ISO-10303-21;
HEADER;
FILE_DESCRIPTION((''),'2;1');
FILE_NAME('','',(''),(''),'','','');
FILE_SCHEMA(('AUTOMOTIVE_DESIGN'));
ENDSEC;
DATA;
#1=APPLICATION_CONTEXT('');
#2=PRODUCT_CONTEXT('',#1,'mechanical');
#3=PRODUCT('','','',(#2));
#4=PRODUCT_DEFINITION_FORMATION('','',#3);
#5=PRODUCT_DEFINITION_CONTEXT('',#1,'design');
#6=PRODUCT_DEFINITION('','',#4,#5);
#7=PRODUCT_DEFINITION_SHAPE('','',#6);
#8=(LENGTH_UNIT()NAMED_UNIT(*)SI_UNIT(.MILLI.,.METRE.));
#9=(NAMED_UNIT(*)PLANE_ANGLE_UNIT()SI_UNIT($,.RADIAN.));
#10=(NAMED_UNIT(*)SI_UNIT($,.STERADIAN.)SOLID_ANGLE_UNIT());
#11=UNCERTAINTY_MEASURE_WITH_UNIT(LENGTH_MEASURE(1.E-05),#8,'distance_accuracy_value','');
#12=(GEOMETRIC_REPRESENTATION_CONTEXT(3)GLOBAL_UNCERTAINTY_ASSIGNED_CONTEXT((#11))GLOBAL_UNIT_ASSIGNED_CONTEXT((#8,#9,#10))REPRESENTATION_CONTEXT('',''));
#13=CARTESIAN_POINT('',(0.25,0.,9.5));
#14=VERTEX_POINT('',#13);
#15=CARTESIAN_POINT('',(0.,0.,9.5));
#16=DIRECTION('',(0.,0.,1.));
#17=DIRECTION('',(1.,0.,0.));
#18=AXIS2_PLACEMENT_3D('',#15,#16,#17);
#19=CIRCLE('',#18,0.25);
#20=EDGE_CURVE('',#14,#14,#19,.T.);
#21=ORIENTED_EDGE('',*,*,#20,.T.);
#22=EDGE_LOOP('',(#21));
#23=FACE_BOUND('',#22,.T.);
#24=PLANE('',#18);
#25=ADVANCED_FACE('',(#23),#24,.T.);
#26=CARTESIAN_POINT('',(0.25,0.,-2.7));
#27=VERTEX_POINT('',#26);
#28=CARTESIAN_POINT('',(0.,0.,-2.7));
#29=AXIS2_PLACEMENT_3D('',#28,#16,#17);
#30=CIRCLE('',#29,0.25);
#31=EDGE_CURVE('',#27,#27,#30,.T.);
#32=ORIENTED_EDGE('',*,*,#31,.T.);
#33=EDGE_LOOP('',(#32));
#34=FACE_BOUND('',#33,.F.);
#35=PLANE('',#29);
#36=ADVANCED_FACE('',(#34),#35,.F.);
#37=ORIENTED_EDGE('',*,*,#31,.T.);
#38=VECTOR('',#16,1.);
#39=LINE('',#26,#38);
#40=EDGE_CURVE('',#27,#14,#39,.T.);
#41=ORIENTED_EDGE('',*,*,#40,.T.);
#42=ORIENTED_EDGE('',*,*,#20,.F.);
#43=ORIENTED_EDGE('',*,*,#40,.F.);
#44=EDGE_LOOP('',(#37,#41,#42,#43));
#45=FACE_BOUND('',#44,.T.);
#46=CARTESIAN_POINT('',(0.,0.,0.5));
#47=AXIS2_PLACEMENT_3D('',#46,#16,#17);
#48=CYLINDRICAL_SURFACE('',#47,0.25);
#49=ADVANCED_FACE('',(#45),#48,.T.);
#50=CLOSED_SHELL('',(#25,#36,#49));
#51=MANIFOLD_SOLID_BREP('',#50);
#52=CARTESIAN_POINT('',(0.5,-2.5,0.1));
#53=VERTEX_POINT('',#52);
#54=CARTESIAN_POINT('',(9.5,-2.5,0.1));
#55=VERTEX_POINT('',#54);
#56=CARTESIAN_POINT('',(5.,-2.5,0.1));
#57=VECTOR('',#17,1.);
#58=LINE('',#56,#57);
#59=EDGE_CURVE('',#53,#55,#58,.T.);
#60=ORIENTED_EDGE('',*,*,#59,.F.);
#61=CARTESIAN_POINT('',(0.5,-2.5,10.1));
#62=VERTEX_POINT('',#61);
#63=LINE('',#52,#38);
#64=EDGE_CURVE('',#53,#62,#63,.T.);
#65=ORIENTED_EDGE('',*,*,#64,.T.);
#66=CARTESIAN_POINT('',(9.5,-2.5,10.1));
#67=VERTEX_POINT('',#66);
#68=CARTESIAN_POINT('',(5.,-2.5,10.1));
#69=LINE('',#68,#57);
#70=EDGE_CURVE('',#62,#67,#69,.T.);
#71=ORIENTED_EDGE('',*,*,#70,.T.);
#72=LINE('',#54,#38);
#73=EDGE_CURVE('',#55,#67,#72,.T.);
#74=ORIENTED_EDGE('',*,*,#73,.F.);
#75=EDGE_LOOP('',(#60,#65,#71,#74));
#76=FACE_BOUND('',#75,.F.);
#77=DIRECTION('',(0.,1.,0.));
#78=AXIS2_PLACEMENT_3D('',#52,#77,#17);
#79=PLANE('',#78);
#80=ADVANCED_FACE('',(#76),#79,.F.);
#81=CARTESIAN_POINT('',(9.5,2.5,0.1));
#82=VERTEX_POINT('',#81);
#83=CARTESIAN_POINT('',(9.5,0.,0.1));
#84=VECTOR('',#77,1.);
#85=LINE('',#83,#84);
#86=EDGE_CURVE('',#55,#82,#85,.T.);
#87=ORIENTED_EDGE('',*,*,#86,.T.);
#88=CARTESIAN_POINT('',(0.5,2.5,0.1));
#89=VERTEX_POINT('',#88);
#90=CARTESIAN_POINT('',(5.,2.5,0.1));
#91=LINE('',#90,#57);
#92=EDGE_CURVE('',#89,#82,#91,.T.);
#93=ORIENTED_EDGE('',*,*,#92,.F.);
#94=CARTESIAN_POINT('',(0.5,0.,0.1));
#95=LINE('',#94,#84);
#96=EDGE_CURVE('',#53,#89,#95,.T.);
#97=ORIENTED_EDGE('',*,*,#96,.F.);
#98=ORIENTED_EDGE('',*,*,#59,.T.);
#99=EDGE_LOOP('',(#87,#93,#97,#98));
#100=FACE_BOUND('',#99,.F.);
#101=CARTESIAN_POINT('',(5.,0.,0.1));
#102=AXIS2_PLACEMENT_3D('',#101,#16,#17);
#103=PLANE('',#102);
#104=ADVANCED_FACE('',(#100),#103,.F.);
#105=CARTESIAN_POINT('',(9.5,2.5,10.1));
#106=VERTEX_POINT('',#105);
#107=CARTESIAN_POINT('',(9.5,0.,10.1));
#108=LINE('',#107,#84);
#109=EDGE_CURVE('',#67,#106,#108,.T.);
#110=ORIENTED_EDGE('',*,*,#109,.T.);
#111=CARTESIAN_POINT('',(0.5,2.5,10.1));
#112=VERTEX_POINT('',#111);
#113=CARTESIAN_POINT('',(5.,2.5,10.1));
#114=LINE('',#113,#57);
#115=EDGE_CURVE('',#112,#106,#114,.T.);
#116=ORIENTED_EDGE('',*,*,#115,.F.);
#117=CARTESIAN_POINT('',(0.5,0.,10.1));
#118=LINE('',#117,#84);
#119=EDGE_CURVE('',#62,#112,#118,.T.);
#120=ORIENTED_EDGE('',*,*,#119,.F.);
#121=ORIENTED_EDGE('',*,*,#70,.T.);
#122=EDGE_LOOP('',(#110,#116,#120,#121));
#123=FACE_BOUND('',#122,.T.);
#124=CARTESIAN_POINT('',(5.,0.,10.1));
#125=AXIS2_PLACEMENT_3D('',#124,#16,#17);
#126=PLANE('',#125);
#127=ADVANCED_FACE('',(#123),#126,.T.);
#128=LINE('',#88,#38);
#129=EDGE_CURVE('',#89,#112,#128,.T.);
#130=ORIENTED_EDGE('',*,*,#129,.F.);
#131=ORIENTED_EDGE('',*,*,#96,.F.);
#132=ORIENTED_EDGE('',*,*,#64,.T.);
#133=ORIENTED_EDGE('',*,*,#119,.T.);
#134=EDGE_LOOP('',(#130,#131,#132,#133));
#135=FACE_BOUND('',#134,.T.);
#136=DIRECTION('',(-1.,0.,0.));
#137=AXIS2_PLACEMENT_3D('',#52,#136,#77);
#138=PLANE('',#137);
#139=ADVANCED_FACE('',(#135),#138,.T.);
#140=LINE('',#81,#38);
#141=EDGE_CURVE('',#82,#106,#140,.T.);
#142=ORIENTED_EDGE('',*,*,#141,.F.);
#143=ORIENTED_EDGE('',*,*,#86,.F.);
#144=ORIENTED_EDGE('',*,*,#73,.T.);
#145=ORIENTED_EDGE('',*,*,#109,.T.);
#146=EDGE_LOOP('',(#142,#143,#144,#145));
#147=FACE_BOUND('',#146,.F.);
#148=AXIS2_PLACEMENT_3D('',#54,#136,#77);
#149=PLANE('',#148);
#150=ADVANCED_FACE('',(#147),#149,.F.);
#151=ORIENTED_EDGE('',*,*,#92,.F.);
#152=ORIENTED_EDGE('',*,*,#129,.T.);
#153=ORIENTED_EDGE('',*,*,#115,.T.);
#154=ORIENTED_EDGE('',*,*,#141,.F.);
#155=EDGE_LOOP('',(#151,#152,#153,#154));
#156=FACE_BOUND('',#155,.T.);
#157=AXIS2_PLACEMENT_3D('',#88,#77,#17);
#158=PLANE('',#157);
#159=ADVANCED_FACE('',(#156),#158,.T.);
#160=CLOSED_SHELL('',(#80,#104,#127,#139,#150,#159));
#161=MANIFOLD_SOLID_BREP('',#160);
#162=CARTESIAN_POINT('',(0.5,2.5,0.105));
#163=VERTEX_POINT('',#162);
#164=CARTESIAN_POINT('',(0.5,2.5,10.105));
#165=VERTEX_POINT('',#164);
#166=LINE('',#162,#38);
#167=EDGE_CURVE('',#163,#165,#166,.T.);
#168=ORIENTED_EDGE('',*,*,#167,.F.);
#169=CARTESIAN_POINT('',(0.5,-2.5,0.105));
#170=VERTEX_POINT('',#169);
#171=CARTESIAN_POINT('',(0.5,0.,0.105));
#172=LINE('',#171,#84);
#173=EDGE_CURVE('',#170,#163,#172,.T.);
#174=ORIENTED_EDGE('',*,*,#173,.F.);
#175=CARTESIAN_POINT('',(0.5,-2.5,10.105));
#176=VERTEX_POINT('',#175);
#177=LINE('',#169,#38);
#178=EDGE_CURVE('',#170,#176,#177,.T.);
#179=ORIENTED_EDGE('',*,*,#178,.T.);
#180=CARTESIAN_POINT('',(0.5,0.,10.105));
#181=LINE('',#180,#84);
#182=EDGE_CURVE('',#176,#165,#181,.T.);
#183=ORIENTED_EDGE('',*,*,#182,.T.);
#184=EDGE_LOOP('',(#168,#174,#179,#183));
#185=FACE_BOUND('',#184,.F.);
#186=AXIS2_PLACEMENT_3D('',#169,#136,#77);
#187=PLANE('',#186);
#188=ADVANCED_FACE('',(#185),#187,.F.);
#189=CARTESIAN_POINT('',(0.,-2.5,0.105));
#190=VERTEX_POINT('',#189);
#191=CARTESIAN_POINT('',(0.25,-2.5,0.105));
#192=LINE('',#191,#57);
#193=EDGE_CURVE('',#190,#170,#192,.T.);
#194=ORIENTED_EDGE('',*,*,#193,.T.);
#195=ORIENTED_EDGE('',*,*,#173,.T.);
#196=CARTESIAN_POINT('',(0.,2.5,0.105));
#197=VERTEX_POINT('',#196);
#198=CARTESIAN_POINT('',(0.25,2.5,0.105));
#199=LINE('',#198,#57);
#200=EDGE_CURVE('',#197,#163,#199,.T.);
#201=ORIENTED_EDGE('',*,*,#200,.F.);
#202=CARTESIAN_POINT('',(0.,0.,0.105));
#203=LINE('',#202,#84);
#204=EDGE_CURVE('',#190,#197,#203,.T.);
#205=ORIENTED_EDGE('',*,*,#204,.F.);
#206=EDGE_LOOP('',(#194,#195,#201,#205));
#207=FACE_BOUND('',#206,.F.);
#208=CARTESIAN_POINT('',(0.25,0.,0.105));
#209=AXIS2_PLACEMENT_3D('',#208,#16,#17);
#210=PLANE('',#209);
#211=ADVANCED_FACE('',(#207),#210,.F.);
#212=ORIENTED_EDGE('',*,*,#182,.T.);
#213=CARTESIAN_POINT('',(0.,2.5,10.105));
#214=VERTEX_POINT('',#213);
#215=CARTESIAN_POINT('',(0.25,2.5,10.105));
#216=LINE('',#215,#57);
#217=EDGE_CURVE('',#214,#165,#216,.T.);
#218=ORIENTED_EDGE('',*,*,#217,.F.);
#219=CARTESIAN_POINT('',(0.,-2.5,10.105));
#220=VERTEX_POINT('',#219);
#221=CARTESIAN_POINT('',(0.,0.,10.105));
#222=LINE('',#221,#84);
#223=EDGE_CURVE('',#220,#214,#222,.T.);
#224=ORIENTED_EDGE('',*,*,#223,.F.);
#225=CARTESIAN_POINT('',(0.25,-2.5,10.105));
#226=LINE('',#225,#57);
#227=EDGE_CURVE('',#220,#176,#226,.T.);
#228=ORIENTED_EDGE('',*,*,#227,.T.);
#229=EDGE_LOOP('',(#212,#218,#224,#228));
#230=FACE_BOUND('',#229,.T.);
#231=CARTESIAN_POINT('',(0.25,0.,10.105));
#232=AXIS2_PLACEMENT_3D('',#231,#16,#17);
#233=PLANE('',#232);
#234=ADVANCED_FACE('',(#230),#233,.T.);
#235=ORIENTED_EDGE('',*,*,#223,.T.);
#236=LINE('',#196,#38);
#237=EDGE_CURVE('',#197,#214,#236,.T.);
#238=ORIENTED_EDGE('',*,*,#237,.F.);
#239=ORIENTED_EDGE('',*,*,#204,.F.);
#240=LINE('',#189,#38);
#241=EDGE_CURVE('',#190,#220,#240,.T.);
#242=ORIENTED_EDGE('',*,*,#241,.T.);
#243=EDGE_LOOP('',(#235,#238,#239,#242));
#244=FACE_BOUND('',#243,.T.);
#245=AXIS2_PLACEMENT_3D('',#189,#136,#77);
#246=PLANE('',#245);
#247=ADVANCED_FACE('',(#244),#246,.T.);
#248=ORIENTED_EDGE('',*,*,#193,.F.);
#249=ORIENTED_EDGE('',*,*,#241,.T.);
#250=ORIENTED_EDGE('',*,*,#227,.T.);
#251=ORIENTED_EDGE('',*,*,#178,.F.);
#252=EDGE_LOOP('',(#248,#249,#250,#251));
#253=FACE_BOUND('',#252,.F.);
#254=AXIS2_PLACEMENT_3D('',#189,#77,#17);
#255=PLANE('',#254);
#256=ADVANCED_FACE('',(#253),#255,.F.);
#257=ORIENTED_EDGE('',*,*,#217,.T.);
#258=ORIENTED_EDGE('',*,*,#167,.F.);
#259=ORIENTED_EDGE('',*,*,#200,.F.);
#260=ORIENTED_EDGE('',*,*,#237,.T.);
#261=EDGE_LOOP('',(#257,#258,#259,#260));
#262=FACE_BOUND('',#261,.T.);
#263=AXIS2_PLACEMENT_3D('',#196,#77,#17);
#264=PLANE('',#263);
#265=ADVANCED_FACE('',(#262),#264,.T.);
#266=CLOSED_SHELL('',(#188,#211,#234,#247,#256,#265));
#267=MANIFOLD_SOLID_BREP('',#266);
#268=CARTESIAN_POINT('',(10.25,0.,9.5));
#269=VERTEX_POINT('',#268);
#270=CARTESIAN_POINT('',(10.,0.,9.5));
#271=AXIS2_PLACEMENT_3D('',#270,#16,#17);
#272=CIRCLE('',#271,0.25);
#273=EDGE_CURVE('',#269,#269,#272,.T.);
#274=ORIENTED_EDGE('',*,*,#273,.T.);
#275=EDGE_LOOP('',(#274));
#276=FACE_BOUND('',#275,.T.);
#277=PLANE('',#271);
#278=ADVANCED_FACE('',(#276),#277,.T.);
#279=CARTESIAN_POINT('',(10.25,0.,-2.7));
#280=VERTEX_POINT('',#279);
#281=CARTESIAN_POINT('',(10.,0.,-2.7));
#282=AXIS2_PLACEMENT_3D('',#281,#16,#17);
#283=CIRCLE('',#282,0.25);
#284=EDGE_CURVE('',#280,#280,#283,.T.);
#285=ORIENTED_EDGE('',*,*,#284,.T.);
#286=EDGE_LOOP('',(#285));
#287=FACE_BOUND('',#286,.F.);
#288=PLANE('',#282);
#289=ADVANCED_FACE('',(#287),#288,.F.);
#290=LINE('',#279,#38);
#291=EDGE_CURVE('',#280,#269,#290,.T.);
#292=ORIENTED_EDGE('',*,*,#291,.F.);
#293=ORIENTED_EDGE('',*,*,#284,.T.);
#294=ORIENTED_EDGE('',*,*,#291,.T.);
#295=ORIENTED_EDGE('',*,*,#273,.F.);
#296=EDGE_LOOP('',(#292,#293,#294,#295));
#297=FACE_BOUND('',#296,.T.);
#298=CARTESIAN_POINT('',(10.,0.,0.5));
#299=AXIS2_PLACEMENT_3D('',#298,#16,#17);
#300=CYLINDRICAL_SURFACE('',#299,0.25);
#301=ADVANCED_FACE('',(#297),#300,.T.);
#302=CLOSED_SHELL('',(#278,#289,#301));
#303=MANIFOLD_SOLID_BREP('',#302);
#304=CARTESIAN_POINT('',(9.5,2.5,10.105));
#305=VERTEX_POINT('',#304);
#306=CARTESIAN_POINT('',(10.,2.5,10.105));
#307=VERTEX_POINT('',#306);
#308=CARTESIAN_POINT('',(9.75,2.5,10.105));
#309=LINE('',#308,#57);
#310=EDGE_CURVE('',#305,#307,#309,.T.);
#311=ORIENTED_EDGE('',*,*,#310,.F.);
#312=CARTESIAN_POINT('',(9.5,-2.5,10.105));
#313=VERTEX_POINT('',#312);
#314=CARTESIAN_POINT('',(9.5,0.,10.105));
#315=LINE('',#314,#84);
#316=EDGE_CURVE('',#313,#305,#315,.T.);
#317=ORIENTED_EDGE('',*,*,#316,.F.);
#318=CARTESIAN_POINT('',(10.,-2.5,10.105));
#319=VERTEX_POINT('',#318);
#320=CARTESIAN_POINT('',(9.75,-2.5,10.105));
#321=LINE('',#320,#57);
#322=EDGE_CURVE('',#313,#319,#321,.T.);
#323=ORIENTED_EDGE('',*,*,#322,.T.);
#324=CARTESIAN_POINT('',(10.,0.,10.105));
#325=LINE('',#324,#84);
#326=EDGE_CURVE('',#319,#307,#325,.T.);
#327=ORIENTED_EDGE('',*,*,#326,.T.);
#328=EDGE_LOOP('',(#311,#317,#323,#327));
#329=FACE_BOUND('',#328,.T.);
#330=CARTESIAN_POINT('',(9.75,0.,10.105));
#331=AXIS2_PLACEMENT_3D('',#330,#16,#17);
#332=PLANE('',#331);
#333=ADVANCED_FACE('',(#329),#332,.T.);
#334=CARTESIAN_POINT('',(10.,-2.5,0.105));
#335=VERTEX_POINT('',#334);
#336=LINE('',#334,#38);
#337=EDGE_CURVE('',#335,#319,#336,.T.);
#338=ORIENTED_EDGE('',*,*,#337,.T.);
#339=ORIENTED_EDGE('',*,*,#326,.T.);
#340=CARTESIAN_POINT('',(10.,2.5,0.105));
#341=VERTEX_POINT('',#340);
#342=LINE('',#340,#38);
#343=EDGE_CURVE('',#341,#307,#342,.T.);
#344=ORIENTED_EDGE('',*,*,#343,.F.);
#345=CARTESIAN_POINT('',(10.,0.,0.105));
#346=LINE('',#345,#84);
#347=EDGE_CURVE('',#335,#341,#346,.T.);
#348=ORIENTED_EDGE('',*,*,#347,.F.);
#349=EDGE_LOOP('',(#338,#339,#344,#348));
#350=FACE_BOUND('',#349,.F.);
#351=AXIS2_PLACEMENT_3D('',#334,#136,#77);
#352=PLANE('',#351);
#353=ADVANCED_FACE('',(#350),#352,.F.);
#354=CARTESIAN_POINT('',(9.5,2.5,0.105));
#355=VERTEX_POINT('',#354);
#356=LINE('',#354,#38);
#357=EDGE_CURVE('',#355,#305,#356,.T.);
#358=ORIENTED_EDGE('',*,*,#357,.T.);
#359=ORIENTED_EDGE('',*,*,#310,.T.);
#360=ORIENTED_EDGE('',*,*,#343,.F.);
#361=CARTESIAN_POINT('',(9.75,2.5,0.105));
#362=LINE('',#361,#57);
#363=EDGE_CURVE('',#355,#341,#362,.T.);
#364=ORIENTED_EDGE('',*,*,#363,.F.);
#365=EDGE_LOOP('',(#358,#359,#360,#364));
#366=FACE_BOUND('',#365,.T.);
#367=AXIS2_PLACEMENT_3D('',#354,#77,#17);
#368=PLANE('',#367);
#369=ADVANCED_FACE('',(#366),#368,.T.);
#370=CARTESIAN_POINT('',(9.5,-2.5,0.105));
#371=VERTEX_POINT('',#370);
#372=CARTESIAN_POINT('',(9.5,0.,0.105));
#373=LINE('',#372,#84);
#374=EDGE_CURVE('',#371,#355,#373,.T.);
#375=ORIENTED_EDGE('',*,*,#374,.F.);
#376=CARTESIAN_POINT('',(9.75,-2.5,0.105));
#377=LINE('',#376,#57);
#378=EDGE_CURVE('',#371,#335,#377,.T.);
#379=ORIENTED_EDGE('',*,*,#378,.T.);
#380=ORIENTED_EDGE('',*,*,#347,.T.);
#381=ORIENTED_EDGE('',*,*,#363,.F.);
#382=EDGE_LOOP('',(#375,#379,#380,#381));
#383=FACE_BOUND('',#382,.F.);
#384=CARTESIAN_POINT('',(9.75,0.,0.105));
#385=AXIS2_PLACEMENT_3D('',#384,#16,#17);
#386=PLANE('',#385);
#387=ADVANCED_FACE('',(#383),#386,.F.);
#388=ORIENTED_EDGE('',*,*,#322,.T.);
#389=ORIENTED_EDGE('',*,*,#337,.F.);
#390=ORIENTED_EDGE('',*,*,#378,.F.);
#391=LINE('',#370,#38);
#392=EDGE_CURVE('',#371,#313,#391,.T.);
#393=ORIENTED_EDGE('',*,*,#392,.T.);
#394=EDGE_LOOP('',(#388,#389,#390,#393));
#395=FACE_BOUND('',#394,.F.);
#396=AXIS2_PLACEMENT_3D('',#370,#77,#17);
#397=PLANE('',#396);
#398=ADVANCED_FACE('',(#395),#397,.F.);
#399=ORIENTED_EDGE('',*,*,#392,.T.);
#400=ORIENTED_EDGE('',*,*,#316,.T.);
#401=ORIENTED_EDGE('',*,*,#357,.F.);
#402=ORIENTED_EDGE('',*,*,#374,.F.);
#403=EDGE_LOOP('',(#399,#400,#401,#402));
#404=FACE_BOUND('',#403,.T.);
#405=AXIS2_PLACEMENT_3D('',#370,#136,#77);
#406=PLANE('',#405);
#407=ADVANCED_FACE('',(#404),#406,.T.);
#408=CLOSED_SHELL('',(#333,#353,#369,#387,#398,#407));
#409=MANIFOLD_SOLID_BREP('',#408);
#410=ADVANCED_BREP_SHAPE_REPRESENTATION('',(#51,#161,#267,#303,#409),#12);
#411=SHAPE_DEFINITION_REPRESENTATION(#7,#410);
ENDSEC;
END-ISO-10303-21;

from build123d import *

# Parameters (mm, degrees)
SKETCH_W          = 9
SKETCH_H          = 5
PAD_DEPTH         = 10
SKETCH001_R       = 0.25
PAD001_DEPTH      = 9
PAD001_DEPTH_BACK = 3.2
SKETCH002_W       = 0.5
SKETCH002_H       = 5
PAD002_DEPTH      = 10


with BuildPart() as pad:
    # Sketch → Pad (new body)
    with BuildSketch(Plane.XY.offset(0.1)):
        with Locations((5, 0)):
            Rectangle(SKETCH_W, SKETCH_H)
    extrude(amount=PAD_DEPTH)


with BuildPart() as pad001:
    # Sketch001 → Pad001 (new body, two sides)
    with BuildSketch(Plane.XY.offset(0.5)) as pad001_sk:
        Circle(SKETCH001_R)
        with Locations((10, 0)):
            Circle(SKETCH001_R)
    extrude(amount=PAD001_DEPTH)
    extrude(pad001_sk.sketch, amount=-PAD001_DEPTH_BACK)


with BuildPart() as pad002:
    # Sketch002 → Pad002 (new body)
    with BuildSketch(Plane.XY.offset(0.105)):
        with Locations((0.25, 0)):
            Rectangle(SKETCH002_W, SKETCH002_H)
        with Locations((9.75, 0)):
            Rectangle(SKETCH002_W, SKETCH002_H)
    extrude(amount=PAD002_DEPTH)


solid = Compound([pad.part, pad001.part, pad002.part])
